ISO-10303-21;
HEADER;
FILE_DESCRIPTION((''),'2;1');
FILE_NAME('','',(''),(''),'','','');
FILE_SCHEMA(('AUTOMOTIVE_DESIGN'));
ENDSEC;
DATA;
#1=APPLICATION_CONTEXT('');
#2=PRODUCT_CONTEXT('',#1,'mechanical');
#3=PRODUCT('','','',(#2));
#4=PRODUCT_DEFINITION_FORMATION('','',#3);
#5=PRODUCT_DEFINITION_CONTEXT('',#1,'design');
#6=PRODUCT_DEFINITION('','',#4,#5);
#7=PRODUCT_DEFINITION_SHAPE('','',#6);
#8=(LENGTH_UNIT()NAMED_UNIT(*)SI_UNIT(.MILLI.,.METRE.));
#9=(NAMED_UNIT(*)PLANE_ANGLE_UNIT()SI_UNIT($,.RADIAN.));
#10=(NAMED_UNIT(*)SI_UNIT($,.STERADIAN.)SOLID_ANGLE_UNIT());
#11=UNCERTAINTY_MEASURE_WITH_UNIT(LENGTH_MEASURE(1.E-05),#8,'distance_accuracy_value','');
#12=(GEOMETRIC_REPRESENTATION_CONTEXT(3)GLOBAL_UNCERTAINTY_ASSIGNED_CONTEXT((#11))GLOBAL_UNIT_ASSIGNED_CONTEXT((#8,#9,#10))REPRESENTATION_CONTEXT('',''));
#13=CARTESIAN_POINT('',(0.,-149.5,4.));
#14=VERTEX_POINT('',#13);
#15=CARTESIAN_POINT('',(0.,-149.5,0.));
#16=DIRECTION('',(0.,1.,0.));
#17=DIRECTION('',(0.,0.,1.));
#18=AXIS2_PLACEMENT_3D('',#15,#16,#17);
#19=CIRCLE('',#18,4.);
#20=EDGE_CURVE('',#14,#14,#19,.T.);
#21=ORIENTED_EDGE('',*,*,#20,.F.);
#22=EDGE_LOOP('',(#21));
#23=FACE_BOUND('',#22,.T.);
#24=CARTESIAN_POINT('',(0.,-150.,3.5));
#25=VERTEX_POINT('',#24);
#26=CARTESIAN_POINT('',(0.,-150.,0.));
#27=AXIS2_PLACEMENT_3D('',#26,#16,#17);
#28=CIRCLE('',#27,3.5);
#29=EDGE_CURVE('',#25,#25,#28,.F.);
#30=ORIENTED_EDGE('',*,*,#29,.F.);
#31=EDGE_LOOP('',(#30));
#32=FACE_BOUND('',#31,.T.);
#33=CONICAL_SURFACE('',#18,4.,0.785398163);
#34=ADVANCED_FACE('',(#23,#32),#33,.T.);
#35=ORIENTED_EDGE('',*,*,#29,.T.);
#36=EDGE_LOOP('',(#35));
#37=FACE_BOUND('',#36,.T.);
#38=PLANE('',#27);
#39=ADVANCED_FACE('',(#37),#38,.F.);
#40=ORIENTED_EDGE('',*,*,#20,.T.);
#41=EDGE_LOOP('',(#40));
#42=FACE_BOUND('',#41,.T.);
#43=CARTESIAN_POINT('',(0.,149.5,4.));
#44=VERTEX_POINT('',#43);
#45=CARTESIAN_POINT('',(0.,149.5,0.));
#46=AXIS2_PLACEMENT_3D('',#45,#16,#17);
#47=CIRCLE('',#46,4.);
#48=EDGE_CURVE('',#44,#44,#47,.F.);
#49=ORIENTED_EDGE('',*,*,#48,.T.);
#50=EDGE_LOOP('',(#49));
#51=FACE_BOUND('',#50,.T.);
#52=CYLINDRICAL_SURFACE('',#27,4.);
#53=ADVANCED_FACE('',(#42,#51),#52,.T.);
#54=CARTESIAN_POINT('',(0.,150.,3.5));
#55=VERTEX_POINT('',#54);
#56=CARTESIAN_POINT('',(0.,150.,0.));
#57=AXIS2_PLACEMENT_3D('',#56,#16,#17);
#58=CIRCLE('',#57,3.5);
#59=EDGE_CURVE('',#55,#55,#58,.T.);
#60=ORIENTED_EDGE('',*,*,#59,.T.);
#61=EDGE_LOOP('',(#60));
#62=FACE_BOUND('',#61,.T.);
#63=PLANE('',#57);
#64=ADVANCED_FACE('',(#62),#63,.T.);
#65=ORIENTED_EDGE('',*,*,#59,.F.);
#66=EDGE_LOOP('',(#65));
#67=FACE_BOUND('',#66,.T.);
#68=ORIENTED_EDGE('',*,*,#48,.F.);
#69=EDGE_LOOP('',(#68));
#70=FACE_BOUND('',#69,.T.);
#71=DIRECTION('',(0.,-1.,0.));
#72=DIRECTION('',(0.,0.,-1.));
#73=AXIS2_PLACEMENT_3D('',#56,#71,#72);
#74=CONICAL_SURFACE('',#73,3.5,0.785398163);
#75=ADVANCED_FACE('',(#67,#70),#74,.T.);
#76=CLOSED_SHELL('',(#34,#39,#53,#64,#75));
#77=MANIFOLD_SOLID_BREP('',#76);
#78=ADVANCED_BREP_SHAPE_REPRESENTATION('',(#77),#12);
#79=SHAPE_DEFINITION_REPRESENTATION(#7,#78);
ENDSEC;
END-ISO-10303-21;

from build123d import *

# Parameters (mm, degrees)
BOSS_EXTRUDE1_DEPTH      = 150
BOSS_EXTRUDE1_DEPTH_BACK = 150
SKETCH1_R                = 4
CHAMFER1_SIZE            = 0.5


with BuildPart() as part:
    # Sketch1 → Boss-Extrude1 (new, two sides: drawn at the far end of the back side and taken through both)
    with BuildSketch(Plane(origin=(0, 0, 0), x_dir=(1, 0, 0), z_dir=(0, 1, 0)).offset(-BOSS_EXTRUDE1_DEPTH_BACK)):
        Circle(SKETCH1_R)
    extrude(amount=BOSS_EXTRUDE1_DEPTH + BOSS_EXTRUDE1_DEPTH_BACK)

    # Chamfer1
    chamfer1_edges = [part.edges().sort_by_distance(p)[0] for p in [
        (-4, -150, 0),
        (-4, 150, 0),
    ]]
    chamfer(chamfer1_edges, length=CHAMFER1_SIZE)


solid = part.part
